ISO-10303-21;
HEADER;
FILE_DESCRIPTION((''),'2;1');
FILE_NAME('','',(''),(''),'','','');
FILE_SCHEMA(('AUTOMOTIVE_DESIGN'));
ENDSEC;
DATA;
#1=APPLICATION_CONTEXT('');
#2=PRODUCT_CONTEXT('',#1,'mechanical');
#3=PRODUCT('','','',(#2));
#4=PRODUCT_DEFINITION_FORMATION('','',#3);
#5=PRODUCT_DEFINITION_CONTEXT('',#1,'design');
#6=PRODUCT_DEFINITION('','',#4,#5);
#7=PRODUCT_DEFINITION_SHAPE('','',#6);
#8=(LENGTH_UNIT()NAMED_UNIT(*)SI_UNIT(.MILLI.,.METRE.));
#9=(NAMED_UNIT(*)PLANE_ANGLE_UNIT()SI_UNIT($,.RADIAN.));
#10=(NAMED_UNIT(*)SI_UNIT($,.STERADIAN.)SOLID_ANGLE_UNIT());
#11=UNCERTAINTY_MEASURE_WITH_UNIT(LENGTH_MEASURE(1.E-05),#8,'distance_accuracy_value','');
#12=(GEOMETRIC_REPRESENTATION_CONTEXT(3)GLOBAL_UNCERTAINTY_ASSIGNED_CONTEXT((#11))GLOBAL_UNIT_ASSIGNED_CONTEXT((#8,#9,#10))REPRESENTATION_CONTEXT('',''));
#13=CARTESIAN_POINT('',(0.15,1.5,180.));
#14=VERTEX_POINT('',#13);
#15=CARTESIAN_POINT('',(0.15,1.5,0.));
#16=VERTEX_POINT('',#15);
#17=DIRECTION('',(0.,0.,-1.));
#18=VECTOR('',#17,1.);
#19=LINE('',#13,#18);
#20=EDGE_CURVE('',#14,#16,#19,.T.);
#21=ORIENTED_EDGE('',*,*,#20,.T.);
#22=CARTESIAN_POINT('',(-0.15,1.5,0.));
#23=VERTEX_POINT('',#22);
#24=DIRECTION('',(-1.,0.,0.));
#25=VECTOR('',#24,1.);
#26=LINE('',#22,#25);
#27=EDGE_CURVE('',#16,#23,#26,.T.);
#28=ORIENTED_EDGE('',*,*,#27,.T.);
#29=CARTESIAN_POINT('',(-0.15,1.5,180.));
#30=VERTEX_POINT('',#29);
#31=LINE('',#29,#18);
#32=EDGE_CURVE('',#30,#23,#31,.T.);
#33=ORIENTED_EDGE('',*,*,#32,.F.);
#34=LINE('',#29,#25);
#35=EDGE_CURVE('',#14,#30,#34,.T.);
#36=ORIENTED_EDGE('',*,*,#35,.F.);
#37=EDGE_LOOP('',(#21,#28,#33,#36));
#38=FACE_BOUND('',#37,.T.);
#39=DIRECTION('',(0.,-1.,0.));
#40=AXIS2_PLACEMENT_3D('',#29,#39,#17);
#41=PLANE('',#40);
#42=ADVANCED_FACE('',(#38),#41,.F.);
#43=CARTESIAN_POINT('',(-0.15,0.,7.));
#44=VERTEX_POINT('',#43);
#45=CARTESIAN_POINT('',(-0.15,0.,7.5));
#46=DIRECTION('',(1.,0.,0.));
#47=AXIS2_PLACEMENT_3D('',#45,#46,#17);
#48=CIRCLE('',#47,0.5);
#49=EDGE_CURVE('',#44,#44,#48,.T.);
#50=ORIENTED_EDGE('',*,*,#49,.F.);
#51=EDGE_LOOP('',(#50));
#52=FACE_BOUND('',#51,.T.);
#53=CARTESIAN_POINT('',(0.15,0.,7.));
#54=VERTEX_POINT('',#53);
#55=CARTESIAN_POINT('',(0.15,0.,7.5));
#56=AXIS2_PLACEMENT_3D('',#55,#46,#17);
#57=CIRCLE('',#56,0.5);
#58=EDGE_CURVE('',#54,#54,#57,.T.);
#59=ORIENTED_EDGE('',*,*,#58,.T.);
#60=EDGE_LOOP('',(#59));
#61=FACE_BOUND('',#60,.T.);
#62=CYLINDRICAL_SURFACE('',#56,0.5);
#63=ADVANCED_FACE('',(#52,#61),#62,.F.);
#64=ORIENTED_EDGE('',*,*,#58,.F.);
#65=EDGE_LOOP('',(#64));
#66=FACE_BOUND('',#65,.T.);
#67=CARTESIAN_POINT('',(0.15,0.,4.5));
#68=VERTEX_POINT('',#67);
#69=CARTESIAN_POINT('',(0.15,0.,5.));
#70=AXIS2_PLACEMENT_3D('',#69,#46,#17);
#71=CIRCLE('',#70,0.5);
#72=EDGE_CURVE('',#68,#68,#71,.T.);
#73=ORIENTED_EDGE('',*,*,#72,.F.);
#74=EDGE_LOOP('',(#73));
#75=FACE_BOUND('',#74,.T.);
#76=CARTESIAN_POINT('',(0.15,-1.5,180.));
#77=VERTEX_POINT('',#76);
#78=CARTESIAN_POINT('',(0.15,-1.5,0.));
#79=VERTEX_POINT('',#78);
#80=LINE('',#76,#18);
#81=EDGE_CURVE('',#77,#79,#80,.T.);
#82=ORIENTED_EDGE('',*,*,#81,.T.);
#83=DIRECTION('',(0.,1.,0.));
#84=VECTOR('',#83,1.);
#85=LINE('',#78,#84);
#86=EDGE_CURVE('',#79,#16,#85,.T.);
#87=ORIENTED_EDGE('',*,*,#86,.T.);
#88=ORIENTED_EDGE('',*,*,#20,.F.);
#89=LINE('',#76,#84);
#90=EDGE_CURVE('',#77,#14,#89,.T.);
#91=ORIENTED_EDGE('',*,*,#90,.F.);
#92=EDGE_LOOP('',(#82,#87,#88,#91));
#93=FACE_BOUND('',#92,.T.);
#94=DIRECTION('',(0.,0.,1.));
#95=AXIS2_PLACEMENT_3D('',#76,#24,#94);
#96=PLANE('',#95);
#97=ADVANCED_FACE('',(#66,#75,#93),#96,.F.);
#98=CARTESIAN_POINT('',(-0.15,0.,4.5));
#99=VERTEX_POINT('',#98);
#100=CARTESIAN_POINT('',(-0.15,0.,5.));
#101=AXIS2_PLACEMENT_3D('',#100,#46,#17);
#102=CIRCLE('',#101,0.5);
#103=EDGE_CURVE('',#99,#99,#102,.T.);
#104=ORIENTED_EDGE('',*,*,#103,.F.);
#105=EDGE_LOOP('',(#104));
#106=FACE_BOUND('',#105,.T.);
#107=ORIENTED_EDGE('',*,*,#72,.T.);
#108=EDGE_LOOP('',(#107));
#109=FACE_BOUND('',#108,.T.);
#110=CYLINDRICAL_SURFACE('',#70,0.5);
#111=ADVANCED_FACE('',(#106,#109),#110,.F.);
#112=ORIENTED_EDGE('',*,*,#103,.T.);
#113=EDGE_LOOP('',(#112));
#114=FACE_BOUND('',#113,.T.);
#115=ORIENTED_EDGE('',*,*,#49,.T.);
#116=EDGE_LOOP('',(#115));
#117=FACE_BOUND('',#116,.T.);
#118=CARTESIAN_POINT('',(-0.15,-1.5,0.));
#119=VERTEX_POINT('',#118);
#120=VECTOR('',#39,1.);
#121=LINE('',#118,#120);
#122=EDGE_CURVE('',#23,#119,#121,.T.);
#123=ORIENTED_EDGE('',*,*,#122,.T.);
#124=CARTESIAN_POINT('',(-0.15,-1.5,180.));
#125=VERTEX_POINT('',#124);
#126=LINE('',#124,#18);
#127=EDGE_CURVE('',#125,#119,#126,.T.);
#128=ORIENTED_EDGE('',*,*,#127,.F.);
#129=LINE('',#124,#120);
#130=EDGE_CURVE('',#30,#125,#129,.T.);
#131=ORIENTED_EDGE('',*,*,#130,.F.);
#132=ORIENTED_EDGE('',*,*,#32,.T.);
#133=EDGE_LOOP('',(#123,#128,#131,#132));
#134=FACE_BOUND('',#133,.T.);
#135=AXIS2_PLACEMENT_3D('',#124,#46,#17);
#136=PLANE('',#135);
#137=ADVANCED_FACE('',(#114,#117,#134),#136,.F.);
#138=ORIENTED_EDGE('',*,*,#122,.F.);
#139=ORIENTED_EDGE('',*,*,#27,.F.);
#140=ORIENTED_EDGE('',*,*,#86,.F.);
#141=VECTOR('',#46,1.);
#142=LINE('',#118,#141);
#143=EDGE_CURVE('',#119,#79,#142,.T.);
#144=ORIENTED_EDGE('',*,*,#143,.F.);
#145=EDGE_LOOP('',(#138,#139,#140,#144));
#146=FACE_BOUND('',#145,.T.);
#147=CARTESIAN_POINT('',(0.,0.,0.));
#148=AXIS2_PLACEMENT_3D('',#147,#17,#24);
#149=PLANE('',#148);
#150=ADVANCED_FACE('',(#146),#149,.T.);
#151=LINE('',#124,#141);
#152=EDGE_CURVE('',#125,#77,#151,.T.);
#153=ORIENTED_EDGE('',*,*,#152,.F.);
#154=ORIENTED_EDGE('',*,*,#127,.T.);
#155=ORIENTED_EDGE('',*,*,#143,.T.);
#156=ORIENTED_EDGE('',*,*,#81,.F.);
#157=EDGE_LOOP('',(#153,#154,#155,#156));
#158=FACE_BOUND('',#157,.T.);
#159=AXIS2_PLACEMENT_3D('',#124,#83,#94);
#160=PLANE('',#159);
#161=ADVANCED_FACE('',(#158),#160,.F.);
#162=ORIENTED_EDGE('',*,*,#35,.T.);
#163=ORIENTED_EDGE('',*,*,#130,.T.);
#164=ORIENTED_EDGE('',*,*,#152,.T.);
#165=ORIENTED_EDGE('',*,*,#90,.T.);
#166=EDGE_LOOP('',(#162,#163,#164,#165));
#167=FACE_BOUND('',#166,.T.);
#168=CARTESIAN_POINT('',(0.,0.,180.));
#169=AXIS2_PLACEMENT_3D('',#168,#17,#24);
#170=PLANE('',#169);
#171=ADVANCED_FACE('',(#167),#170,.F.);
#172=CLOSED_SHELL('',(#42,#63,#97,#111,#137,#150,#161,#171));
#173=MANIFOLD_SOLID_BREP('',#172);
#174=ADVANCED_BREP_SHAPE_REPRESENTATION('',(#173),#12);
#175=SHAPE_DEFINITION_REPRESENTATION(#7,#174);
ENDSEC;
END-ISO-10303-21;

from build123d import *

# Parameters (mm, degrees)
SKETCH1_W                = 0.3
SKETCH1_H                = 3
BOSS_EXTRUDE1_DEPTH      = 180
F_1_0_1_DIAMETER_HOLE1_D = 1


with BuildPart() as part:
    # Sketch1 → Boss-Extrude1 (new body)
    with BuildSketch(Plane.XY):
        Rectangle(SKETCH1_W, SKETCH1_H)
    extrude(amount=BOSS_EXTRUDE1_DEPTH)

    # Ø1.0 (1) Diameter Hole1 (through all)
    with Locations(Plane(origin=(0.15, 0, 0), x_dir=(0, 0, -1), z_dir=(1, 0, 0))):
        with Locations((-7.5, 0), (-5, 0)):
            Hole(F_1_0_1_DIAMETER_HOLE1_D / 2)


solid = part.part
